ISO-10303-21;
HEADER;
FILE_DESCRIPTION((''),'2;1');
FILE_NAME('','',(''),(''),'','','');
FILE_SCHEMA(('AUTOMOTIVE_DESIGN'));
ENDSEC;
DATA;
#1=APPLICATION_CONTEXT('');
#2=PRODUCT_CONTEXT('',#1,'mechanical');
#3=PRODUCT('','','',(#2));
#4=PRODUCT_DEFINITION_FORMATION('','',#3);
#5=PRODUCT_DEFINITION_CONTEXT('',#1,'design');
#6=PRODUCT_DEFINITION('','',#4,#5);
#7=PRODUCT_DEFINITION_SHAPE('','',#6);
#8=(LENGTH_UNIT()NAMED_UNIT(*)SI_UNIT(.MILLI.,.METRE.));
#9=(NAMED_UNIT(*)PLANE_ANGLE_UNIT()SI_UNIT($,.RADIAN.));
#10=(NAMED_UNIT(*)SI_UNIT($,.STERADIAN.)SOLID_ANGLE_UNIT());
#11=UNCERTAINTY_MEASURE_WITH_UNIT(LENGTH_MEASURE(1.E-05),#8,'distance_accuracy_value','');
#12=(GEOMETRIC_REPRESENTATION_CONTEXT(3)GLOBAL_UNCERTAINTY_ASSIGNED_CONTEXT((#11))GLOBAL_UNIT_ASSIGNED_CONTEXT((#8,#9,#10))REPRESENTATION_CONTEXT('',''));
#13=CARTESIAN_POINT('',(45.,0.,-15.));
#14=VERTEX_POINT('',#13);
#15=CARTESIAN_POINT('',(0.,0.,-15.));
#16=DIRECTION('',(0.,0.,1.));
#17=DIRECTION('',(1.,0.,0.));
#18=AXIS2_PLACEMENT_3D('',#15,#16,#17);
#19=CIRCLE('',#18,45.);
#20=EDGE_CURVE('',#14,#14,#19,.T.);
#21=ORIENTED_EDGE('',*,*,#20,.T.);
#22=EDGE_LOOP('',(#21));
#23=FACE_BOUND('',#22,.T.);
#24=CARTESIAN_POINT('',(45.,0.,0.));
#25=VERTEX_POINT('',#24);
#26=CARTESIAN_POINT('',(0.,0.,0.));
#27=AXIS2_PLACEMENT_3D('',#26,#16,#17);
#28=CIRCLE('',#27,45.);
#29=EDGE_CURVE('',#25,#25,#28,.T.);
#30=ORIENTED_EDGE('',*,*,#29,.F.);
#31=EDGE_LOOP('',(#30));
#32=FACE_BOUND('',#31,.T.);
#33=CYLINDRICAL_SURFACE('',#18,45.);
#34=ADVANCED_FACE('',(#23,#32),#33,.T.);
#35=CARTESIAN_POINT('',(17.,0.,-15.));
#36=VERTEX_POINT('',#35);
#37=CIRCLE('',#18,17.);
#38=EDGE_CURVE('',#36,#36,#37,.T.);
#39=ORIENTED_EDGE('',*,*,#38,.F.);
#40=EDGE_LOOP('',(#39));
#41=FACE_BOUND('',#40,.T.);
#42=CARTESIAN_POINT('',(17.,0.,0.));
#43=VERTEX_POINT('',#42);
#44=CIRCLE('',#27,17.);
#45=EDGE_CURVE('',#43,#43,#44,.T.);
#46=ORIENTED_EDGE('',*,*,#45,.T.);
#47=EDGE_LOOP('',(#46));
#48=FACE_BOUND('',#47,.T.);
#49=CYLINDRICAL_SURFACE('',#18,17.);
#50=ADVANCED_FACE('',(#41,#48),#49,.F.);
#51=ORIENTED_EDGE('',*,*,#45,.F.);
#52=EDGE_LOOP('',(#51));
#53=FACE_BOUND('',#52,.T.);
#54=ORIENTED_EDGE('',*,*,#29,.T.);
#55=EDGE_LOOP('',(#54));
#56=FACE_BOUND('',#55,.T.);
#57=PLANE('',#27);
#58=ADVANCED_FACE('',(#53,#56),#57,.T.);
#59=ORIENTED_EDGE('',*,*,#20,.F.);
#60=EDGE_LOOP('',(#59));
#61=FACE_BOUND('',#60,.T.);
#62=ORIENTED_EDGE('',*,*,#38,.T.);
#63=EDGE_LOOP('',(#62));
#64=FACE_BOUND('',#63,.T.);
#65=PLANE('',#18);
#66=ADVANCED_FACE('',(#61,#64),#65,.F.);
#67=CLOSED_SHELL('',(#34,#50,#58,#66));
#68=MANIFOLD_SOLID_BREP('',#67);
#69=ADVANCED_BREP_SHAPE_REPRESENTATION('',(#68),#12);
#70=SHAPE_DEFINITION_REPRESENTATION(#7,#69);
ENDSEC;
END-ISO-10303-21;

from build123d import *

# Parameters (mm, degrees)
SKIZZE1_R                       = 45
SKIZZE1_R_2                     = 17
AUFSATZ_LINEAR_AUSTRAGEN1_DEPTH = 15


with BuildPart() as part:
    # Skizze1 → Aufsatz-Linear austragen1 (new body)
    with BuildSketch(Plane.XY):
        Circle(SKIZZE1_R)
        Circle(SKIZZE1_R_2, mode=Mode.SUBTRACT)
    extrude(amount=-AUFSATZ_LINEAR_AUSTRAGEN1_DEPTH)


solid = part.part
